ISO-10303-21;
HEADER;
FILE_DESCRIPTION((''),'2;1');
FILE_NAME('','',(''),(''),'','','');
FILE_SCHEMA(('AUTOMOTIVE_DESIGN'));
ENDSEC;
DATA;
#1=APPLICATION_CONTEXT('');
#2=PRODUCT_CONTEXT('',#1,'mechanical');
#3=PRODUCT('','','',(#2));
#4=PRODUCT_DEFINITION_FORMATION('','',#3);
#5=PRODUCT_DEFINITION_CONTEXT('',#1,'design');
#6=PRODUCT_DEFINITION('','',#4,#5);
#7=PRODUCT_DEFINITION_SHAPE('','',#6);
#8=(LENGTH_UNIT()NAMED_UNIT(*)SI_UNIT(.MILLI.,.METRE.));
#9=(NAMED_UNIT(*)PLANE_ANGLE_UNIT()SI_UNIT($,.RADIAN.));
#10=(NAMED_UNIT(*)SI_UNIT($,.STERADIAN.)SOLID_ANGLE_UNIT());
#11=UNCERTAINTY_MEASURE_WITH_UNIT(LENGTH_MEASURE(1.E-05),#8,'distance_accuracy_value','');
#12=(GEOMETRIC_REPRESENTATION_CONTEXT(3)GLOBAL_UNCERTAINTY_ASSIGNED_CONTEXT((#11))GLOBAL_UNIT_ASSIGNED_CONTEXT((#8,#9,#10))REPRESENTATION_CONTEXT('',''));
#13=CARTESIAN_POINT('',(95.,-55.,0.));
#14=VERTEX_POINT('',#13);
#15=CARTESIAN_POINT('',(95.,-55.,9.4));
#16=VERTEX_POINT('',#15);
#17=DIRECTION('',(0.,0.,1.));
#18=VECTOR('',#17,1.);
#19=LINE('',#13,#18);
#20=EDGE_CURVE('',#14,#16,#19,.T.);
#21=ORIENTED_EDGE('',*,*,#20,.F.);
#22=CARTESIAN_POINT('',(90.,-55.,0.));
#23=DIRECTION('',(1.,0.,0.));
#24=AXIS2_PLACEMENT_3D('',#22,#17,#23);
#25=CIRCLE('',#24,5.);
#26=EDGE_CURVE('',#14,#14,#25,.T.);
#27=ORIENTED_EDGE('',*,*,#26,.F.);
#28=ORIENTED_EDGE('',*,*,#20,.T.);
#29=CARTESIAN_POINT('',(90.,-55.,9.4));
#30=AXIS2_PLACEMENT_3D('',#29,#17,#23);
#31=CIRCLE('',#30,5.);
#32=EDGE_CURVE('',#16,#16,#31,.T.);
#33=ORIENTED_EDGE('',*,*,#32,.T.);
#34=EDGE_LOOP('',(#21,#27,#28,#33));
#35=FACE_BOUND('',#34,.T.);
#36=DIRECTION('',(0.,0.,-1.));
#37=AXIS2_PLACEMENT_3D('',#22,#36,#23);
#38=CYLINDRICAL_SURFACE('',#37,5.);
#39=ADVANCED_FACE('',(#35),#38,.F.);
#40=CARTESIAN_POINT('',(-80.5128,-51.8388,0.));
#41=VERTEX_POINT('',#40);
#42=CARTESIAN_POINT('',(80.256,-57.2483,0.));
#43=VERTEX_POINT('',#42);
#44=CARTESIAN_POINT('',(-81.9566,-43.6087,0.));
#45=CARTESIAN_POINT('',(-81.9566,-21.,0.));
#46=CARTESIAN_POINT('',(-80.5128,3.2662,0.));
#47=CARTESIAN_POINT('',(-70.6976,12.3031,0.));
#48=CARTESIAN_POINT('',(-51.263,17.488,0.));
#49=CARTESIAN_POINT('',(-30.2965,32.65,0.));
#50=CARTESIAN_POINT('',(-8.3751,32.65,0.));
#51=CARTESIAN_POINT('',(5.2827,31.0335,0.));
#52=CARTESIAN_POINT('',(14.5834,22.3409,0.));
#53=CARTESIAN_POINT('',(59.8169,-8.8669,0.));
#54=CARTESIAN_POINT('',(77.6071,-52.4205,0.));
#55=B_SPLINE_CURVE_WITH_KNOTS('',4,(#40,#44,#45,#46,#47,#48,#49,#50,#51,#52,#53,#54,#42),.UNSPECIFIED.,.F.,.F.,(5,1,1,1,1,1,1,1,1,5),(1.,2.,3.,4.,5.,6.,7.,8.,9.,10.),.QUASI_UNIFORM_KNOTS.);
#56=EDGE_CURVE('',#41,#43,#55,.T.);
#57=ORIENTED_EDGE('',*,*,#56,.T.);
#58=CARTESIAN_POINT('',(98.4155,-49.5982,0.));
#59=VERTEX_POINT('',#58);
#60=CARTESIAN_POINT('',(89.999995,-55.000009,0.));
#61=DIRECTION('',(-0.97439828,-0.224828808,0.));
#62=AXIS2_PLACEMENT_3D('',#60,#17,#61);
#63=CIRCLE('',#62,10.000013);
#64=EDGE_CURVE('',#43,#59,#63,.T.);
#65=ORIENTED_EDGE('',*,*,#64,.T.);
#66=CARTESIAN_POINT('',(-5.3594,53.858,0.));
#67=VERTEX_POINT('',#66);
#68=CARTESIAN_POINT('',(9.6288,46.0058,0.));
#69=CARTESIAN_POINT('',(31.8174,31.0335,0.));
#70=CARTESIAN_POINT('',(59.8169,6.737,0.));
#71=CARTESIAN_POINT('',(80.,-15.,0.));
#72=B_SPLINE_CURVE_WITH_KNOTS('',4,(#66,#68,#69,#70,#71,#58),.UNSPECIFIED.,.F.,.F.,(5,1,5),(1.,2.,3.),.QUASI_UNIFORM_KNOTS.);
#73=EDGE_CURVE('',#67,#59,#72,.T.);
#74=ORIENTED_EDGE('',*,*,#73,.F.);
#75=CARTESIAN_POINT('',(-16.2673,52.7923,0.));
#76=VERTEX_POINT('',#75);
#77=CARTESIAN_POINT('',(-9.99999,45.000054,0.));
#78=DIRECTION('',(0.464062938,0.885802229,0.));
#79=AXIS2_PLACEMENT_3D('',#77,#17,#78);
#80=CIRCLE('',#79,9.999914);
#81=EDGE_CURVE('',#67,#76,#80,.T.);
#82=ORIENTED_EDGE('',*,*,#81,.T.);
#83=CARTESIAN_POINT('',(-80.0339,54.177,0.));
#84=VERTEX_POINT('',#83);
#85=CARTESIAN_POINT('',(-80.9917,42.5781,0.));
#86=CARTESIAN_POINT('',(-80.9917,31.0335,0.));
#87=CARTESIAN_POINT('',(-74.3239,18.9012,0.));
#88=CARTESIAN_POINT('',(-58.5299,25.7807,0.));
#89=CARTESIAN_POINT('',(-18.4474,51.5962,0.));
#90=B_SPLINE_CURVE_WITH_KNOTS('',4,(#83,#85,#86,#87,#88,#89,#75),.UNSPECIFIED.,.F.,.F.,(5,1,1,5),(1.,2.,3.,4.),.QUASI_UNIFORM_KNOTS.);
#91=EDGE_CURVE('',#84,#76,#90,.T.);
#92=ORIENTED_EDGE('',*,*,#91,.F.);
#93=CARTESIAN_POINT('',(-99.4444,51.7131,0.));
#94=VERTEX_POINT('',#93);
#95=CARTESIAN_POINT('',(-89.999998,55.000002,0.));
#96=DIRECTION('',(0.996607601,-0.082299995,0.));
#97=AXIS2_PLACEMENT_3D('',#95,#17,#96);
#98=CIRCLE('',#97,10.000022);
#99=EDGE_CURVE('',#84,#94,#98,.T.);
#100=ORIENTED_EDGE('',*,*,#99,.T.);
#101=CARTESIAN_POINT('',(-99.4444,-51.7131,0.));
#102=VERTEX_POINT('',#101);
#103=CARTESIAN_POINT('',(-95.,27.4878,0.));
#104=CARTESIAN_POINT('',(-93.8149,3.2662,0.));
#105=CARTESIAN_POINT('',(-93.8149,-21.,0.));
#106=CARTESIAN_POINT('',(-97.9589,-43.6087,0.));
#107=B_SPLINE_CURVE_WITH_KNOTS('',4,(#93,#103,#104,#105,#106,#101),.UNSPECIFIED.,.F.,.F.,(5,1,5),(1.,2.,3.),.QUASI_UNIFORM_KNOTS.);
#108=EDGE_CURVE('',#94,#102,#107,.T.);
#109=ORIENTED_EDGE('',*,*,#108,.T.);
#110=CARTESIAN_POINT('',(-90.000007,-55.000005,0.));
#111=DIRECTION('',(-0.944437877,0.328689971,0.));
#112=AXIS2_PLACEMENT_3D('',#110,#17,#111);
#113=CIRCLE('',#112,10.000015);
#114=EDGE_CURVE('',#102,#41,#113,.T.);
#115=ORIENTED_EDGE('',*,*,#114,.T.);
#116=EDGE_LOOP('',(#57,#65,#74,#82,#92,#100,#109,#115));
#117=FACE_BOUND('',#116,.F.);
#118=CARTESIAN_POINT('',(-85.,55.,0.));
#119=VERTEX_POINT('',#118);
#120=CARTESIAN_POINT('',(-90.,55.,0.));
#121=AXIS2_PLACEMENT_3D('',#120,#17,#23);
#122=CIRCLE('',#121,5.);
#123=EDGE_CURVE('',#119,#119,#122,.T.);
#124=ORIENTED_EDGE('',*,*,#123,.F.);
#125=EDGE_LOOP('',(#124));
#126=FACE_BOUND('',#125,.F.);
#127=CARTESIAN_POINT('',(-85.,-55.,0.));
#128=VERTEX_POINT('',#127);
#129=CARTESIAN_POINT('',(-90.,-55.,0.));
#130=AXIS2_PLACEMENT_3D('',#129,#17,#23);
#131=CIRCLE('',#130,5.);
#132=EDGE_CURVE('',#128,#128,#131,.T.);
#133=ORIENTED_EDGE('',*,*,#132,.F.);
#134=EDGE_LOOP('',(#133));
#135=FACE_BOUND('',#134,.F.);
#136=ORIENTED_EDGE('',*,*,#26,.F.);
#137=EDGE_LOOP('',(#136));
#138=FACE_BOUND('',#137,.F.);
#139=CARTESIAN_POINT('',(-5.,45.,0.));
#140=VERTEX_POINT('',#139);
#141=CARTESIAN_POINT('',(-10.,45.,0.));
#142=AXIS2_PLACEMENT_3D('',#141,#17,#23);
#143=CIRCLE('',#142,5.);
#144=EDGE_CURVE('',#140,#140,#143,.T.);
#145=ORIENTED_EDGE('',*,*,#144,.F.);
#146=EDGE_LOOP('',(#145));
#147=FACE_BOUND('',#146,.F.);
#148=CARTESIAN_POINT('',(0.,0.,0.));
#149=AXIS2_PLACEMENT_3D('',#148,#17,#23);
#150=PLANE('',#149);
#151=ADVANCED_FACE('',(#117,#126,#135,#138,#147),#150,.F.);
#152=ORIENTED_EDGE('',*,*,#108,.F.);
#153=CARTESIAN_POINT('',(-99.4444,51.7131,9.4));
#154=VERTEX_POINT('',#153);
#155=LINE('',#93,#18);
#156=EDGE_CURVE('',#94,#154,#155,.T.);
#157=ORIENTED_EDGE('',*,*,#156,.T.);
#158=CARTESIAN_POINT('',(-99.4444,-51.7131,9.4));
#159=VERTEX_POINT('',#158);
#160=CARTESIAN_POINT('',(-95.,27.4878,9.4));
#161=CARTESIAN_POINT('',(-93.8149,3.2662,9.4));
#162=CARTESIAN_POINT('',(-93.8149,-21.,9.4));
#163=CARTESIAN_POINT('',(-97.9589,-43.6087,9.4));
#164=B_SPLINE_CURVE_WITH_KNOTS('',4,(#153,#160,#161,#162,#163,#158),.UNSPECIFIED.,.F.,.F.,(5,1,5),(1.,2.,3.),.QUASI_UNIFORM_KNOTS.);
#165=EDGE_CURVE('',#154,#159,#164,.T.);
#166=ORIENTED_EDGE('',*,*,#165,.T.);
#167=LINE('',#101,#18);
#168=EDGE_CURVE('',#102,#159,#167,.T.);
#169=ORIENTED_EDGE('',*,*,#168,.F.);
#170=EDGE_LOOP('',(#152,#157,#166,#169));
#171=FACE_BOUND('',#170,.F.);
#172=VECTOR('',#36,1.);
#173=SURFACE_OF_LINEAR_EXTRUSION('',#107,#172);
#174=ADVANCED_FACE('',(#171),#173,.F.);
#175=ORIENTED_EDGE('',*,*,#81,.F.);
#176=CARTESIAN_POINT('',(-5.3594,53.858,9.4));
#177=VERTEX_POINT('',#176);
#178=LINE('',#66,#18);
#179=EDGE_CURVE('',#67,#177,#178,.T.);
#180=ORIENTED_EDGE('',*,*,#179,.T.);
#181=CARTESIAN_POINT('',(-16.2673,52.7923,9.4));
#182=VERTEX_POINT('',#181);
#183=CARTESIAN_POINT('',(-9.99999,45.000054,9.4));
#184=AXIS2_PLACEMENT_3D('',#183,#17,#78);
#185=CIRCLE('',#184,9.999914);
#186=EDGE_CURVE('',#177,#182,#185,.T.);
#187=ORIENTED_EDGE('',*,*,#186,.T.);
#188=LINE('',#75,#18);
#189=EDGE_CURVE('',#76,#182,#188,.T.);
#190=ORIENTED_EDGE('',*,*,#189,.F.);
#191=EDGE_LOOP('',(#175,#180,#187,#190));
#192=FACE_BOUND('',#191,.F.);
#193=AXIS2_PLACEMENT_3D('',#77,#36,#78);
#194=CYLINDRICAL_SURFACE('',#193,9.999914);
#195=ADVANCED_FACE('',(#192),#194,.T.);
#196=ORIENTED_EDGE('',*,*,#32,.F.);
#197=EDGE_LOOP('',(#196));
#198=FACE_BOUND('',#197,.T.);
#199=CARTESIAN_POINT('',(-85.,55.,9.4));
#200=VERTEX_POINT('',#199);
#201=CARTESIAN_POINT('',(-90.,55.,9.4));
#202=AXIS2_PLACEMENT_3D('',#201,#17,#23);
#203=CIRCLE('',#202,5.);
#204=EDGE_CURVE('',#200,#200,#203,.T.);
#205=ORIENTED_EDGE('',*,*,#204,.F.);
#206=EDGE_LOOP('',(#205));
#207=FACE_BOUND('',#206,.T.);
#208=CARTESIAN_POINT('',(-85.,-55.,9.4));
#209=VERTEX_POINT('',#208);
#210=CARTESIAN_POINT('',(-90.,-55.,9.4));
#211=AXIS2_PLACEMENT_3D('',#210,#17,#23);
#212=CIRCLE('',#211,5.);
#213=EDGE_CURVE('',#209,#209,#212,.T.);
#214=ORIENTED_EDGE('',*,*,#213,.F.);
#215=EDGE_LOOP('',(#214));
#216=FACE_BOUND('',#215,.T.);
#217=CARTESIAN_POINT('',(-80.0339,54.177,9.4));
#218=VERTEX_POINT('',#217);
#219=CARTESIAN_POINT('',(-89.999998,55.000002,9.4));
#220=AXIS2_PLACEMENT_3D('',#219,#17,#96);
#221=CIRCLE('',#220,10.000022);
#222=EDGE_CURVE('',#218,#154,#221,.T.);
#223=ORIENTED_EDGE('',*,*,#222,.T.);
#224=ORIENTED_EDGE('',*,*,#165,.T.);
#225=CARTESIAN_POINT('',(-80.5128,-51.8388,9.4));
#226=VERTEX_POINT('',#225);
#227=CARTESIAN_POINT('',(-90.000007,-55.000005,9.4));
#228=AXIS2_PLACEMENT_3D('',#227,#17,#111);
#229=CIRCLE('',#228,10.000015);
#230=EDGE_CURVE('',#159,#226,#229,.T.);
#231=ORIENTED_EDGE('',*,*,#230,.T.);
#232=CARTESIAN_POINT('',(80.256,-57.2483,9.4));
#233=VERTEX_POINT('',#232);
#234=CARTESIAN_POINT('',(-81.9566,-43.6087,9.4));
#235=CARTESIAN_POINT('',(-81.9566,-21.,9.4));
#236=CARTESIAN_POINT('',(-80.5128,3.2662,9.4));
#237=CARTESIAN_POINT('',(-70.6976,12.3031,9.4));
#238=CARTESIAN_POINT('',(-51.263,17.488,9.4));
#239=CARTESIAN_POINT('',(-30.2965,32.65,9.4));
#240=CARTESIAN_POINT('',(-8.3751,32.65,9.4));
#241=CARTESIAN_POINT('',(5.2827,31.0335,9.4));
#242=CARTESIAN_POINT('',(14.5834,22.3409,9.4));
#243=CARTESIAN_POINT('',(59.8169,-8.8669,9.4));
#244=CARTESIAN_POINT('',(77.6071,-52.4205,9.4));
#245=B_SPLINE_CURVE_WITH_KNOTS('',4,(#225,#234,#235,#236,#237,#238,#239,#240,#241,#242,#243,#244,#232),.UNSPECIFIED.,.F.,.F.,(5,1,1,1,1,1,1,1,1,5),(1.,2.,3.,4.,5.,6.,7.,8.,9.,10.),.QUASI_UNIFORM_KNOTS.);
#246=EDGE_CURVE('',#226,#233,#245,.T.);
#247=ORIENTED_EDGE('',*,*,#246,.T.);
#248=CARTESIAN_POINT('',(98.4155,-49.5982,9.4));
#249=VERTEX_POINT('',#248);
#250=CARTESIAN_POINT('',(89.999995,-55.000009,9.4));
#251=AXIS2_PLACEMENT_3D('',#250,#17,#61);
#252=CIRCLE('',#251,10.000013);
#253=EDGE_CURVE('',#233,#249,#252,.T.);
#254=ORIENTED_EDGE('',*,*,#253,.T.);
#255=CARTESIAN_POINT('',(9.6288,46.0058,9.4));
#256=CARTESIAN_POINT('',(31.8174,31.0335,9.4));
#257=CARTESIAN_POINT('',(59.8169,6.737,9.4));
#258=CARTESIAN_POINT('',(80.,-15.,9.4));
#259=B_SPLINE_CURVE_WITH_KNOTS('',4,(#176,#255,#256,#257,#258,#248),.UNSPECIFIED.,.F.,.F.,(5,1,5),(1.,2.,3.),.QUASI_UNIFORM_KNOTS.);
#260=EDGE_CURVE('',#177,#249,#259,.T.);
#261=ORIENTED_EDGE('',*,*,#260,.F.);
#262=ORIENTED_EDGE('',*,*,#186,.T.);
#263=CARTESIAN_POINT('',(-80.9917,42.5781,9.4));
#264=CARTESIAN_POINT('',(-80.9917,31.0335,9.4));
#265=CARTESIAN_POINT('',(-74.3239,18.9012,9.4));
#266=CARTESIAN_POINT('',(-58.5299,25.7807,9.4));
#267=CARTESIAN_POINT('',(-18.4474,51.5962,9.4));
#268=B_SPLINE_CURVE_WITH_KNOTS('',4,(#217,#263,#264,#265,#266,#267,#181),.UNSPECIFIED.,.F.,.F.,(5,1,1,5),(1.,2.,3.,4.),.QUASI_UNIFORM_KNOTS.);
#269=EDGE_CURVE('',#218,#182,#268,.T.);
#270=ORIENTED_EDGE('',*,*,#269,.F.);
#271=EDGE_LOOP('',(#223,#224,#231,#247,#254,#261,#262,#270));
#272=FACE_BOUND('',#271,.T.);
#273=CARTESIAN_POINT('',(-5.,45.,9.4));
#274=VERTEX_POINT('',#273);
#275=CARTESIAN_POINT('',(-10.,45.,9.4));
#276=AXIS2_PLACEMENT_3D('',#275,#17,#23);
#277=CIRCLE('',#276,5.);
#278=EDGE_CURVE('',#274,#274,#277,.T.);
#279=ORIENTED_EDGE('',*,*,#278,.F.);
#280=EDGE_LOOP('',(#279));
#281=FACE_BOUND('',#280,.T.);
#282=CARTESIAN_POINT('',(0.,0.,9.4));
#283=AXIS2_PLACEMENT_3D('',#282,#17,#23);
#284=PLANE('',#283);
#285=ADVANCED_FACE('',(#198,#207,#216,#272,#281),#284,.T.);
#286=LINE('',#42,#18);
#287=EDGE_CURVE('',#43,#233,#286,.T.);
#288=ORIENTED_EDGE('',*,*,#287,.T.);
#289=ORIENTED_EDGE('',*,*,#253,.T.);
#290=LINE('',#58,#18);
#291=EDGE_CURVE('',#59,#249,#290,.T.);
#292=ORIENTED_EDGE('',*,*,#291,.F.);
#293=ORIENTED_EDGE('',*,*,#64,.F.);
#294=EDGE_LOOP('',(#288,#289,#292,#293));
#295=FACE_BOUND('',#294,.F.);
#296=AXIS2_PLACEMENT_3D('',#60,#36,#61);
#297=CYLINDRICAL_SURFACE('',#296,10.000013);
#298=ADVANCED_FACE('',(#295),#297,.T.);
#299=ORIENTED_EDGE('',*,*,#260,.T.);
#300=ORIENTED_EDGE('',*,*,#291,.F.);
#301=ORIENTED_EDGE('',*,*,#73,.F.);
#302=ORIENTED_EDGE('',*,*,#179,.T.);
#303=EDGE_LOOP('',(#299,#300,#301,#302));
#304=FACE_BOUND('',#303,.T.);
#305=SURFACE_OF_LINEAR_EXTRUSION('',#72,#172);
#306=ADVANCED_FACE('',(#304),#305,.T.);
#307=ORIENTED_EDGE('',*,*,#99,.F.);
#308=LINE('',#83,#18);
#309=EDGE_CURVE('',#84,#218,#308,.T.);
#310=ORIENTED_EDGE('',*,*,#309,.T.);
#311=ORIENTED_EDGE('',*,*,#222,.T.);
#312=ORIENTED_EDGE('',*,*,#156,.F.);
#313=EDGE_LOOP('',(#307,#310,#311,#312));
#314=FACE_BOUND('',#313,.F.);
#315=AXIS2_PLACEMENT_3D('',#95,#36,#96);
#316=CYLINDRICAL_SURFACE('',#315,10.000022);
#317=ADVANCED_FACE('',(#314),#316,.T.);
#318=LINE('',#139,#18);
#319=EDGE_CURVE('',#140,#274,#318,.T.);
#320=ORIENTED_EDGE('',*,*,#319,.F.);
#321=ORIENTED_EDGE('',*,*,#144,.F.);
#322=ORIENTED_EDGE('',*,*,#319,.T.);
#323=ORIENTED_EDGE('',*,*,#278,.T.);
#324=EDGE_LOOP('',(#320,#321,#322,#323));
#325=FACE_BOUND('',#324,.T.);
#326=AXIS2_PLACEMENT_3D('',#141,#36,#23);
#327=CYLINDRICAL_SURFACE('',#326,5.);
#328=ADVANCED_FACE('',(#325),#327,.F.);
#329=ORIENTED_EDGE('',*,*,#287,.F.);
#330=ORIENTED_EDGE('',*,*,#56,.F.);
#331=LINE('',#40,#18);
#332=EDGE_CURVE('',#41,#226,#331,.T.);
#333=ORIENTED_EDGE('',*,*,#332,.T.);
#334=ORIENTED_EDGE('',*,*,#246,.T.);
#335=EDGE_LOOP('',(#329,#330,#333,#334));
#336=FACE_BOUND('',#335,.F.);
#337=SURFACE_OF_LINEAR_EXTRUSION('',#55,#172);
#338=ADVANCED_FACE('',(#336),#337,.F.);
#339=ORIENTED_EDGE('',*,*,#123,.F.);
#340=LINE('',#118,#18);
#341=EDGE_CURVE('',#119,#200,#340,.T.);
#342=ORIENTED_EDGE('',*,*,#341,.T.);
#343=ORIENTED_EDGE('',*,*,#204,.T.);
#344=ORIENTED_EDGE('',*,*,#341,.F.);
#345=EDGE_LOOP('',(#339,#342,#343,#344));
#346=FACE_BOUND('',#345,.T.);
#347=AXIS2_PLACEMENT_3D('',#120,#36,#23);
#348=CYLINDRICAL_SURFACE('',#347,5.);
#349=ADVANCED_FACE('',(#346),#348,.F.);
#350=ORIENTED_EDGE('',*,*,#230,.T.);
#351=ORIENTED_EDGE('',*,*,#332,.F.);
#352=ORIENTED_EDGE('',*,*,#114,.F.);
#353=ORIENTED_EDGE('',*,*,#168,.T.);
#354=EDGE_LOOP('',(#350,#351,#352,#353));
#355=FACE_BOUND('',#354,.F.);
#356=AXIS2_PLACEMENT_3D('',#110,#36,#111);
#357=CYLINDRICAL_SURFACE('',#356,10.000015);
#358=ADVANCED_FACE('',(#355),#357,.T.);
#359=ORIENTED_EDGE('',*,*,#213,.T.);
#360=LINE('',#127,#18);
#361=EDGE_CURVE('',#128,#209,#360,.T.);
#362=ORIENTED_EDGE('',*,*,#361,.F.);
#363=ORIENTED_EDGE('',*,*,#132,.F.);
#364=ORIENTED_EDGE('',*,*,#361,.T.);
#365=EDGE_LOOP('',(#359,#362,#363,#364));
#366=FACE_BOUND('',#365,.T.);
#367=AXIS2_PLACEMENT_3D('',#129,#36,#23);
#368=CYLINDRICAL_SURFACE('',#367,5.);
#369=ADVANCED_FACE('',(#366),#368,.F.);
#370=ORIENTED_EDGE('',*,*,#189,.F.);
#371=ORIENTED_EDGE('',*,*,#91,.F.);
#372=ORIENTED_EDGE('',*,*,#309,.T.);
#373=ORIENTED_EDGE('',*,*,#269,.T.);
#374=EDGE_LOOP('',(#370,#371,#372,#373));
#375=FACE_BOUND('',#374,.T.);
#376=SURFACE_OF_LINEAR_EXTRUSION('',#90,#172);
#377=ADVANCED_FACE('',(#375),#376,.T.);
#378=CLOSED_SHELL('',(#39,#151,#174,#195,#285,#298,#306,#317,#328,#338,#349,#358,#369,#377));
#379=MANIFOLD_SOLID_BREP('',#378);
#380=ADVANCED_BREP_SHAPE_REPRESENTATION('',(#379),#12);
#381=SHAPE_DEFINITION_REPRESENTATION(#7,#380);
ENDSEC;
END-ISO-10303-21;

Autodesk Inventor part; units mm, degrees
ref_plane "YZ Plane" through (0, 0, 0) normal (1, 0, 0) x (0, 1, 0)
ref_plane "XZ Plane" through (0, 0, 0) normal (0, 1, 0) x (-1, 0, 0)
ref_plane "XY Plane" through (0, 0, 0) normal (0, 0, 1) x (1, 0, 0)
sketch "Sketch1" plane through (0, 0, 0) normal (0, 0, 1) x (1, 0, 0)
  line L0 (-110, 70) -> (110, 70) construction
  line L1 (110, 70) -> (110, -70) construction
  line L2 (110, -70) -> (-110, -70) construction
  line L3 (-110, -70) -> (-110, 70) construction
  circle A0 centre (-90, 55) radius 5
  circle A1 centre (-90, -55) radius 5
  circle A2 centre (90, -55) radius 5
  circle A3 centre (-10, 45) radius 5
  line L4 (-67, 0) -> (-42, 0) construction
  line L5 (-42, 0) -> (-42, -30) construction
  line L6 (-42, -30) -> (-67, -30) construction
  line L7 (-67, -30) -> (-67, 0) construction
  circle A4 centre (-54.5, -11) radius 10 construction
  circle A5 centre (-63.5044, -24.4163) radius 3 construction
  circle A6 centre (-57.3559, -26.4695) radius 3 construction
  circle A7 centre (-51.263, -24.6531) radius 3 construction
  circle A8 centre (-45.3418, -26.5938) radius 3 construction
  arc A9 (-80.0339, 54.177) -> (-99.4444, 51.7131) centre (-90, 55) ccw
  arc A10 (80.256, -57.2483) -> (98.4155, -49.5982) centre (90, -55) ccw
  arc A11 (-99.4444, -51.7131) -> (-80.5128, -51.8388) centre (-90, -55) ccw
  arc A12 (-5.3594, 53.858) -> (-16.2673, 52.7923) centre (-10, 45) ccw
  line L8 (-99.4444, 51.7131) -> (-95, 27.4878) construction
  line L9 (-95, 27.4878) -> (-93.8149, 3.2662) construction
  line L10 (-93.8149, 3.2662) -> (-93.8149, -21) construction
  line L11 (-93.8149, -21) -> (-97.9589, -43.6087) construction
  line L12 (-97.9589, -43.6087) -> (-99.4444, -51.7131) construction
  spline S0 degree 4 poles (-99.4444, 51.7131) (-95, 27.4878) (-93.8149, 3.2662) (-93.8149, -21) (-97.9589, -43.6087) (-99.4444, -51.7131) knots 1 1 1 1 1 2 3 3 3 3 3
  line L13 (-80.0339, 54.177) -> (-80.9917, 42.5781) construction
  line L14 (-80.9917, 42.5781) -> (-80.9917, 31.0335) construction
  line L15 (-80.9917, 31.0335) -> (-74.3239, 18.9012) construction
  line L16 (-74.3239, 18.9012) -> (-58.5299, 25.7807) construction
  line L17 (-58.5299, 25.7807) -> (-18.4474, 51.5962) construction
  line L18 (-18.4474, 51.5962) -> (-16.2673, 52.7923) construction
  spline S1 degree 4 poles (-80.0339, 54.177) (-80.9917, 42.5781) (-80.9917, 31.0335) (-74.3239, 18.9012) (-58.5299, 25.7807) (-18.4474, 51.5962) (-16.2673, 52.7923) knots 1 1 1 1 1 2 3 4 4 4 4 4
  line L19 (-80.5128, -51.8388) -> (-81.9566, -43.6087) construction
  line L20 (-81.9566, -43.6087) -> (-81.9566, -21) construction
  line L21 (-81.9566, -21) -> (-80.5128, 3.2662) construction
  line L22 (-80.5128, 3.2662) -> (-70.6976, 12.3031) construction
  line L23 (-70.6976, 12.3031) -> (-51.263, 17.488) construction
  line L24 (-51.263, 17.488) -> (-30.2965, 32.65) construction
  line L25 (-30.2965, 32.65) -> (-8.3751, 32.65) construction
  line L26 (-8.3751, 32.65) -> (5.2827, 31.0335) construction
  line L27 (5.2827, 31.0335) -> (14.5834, 22.3409) construction
  line L28 (14.5834, 22.3409) -> (59.8169, -8.8669) construction
  line L29 (59.8169, -8.8669) -> (77.6071, -52.4205) construction
  line L30 (77.6071, -52.4205) -> (80.256, -57.2483) construction
  spline S2 degree 4 poles (-80.5128, -51.8388) (-81.9566, -43.6087) (-81.9566, -21) (-80.5128, 3.2662) (-70.6976, 12.3031) (-51.263, 17.488) (-30.2965, 32.65) (-8.3751, 32.65) (5.2827, 31.0335) (14.5834, 22.3409) (59.8169, -8.8669) (77.6071, -52.4205) (80.256, -57.2483) knots 1 1 1 1 1 2 3 4 5 6 7 8 9 10 10 10 10 10
  line L31 (-5.3594, 53.858) -> (9.6288, 46.0058) construction
  line L32 (9.6288, 46.0058) -> (31.8174, 31.0335) construction
  line L33 (31.8174, 31.0335) -> (59.8169, 6.737) construction
  line L34 (59.8169, 6.737) -> (80, -15) construction
  line L35 (80, -15) -> (98.4155, -49.5982) construction
  spline S3 degree 4 poles (-5.3594, 53.858) (9.6288, 46.0058) (31.8174, 31.0335) (59.8169, 6.737) (80, -15) (98.4155, -49.5982) knots 1 1 1 1 1 2 3 3 3 3 3
  point P0 (0, 0)
  dimension "d1" = 70
  dimension "d2" = 70
  dimension "d3" = 110
  dimension "d4" = 110
  dimension "d5" = 10
  dimension "d6" = 10
  dimension "d7" = 10
  dimension "d8" = 10
  dimension "d9" = 55
  dimension "d10" = 55
  dimension "d11" = 55
  dimension "d12" = 180
  dimension "d13" = 90
  dimension "d14" = 90
  dimension "d16" = 45
  dimension "d17" = 42
  dimension "d18" = 30
  dimension "d19" = 0
  dimension "d20" = 25
  dimension "d21" = 20
  dimension "d22" = 6
  dimension "d23" = 6
  dimension "d24" = 6
  dimension "d25" = 11
  dimension "d26" = 12.5
  dimension "d27" = 6
  dimension "d41" = 20
  dimension "d43" = 20
  dimension "d44" = 20
  dimension "d45" = 20
  dimension "d46" = 10
extrude "Extrusion3" add sketch "Sketch1" along normal blind 9.4
equation "\"d1\" = d2"
equation "\"d4\" = d3"
equation "\"d10\" = d9"
equation "\"d11\" = d9"
equation "\"d14\" = d13"
equation "\"d26\" = 0.5 * d20"
properties part number "Bracket Concept MK3"
